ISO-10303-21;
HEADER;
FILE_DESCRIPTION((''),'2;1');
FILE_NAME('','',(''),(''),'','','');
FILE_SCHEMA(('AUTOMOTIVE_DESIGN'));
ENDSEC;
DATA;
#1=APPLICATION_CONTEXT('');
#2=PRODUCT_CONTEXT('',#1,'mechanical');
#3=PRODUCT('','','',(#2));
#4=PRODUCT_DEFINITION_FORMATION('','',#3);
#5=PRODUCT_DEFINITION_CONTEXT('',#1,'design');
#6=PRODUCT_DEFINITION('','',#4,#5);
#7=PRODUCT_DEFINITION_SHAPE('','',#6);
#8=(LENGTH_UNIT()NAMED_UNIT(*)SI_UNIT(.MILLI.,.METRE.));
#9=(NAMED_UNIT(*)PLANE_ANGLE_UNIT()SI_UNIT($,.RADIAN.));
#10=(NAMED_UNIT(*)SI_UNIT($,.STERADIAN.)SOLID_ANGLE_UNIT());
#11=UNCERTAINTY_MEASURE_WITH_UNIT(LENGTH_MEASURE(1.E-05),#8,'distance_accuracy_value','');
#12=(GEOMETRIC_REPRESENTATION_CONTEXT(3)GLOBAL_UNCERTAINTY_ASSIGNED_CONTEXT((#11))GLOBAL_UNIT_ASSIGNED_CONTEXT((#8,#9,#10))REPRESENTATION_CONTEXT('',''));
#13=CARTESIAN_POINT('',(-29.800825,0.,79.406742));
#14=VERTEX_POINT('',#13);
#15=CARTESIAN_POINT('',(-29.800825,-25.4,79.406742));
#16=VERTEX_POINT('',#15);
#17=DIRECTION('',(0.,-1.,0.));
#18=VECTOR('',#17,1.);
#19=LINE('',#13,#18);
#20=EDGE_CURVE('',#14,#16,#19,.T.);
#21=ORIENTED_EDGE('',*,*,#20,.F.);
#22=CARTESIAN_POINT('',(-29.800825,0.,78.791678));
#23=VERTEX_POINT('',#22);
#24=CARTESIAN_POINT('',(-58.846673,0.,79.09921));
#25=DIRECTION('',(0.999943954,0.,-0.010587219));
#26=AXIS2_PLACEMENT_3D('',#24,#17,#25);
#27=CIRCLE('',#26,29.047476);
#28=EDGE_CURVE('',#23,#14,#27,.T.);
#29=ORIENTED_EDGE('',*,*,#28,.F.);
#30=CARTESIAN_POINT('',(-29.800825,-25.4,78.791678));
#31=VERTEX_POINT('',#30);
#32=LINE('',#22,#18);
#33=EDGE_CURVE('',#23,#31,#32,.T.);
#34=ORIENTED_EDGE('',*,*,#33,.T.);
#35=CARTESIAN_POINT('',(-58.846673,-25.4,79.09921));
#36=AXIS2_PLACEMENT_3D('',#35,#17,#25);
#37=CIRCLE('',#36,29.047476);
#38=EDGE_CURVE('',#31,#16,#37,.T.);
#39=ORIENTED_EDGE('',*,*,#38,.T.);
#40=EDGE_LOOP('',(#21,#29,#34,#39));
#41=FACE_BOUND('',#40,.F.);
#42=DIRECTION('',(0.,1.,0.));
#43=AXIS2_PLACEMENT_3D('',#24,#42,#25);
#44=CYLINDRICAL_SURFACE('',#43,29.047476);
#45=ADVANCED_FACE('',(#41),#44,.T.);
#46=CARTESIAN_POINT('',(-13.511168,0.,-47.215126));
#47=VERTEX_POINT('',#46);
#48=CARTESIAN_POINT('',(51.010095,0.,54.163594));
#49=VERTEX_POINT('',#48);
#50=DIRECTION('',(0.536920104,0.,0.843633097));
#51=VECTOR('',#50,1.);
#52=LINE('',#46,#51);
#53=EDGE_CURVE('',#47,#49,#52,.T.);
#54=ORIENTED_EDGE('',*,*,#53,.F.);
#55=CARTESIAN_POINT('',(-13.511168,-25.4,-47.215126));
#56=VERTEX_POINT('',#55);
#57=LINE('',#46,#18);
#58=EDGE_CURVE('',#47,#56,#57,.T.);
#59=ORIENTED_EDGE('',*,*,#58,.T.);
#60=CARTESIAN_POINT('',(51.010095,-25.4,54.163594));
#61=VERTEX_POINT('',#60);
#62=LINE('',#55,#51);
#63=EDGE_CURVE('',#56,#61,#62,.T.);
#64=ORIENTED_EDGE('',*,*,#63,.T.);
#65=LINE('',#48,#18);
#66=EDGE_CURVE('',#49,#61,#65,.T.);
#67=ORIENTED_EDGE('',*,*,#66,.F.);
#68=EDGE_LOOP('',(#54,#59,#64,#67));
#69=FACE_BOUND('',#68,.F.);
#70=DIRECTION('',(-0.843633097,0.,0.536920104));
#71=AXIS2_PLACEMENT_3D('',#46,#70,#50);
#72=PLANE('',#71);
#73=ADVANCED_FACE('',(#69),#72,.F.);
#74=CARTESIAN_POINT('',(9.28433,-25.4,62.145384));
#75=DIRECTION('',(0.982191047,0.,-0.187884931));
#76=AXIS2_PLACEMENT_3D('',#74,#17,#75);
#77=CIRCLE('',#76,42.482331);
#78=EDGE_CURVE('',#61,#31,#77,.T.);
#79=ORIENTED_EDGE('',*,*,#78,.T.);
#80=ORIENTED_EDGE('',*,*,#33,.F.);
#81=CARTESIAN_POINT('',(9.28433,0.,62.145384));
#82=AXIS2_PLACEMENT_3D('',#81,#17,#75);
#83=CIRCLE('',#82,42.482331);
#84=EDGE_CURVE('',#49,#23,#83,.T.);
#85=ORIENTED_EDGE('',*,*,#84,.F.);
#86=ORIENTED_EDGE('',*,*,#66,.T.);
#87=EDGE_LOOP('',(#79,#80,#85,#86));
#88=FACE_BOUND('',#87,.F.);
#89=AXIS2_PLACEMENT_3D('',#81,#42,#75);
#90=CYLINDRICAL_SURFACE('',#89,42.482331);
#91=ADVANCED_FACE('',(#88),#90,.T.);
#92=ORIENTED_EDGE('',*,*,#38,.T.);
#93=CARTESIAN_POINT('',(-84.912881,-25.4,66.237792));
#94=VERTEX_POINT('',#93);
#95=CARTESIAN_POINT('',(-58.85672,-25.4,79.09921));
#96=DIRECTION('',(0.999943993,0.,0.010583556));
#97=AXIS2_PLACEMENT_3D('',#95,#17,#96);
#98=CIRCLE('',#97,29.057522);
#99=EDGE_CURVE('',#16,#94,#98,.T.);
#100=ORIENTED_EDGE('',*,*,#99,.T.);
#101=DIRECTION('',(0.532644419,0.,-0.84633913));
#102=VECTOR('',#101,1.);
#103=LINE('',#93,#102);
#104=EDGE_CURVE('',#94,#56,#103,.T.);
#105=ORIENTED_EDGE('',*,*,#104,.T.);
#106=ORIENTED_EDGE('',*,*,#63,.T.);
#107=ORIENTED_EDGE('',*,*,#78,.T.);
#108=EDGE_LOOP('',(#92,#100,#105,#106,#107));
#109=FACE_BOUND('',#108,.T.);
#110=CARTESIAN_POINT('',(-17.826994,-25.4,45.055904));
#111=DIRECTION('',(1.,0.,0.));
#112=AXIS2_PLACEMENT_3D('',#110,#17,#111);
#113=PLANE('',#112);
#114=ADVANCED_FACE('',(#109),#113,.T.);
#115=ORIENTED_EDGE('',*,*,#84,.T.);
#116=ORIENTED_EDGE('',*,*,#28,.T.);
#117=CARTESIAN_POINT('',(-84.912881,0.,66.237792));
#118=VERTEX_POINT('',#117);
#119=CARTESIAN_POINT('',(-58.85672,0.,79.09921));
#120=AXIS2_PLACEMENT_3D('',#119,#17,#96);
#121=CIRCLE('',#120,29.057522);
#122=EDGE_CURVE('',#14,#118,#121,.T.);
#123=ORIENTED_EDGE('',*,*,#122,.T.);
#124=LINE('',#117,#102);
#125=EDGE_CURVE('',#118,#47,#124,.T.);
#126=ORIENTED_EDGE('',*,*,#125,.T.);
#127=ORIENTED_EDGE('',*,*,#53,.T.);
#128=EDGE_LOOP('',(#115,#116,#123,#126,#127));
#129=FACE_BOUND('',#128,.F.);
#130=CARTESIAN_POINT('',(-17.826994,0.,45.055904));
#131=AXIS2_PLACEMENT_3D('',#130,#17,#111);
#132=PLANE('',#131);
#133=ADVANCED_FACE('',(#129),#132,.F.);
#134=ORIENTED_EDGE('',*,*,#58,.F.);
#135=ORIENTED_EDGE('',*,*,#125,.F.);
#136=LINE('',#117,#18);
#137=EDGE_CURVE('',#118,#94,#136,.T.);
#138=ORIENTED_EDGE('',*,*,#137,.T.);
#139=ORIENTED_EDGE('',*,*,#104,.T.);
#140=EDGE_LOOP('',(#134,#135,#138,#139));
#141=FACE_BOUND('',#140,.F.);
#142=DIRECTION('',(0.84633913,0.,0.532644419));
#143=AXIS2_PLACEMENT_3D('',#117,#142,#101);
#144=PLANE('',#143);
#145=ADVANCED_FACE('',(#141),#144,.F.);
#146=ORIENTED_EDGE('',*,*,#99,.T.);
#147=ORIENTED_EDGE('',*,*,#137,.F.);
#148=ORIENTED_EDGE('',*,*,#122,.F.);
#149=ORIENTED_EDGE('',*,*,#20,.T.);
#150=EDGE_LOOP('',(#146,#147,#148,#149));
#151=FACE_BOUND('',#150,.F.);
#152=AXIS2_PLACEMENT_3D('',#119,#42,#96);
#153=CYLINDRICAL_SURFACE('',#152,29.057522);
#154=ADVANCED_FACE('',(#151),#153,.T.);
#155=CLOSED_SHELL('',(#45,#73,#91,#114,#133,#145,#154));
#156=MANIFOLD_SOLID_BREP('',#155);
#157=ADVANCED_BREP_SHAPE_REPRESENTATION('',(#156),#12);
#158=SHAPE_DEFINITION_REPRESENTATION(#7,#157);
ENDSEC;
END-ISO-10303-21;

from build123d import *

# Parameters (mm, degrees)
F1_DEPTH = 25.4


with BuildPart() as f1:
    # F0 (on Front) → F1 (new body)
    with BuildSketch(Plane.XZ):
        with BuildLine():
            ThreePointArc((51.010095, 54.163594), (21.668951, 102.782431), (-29.800825, 78.791678))
            Line((-29.800825, 78.791678), (-29.800825, 79.406742))
            ThreePointArc((-29.800825, 79.406742), (-65.60986, 107.361105), (-84.912881, 66.237792))
            Line((-84.912881, 66.237792), (-13.511168, -47.215126))
            Line((-13.511168, -47.215126), (51.010095, 54.163594))
        make_face()
        with BuildLine():
            Line((-29.800825, 79.406742), (-29.800825, 78.791678))
            ThreePointArc((-29.800825, 78.791678), (-29.799197, 79.09921), (-29.800825, 79.406742))
        make_face()
    extrude(amount=F1_DEPTH)


solid = f1.part
